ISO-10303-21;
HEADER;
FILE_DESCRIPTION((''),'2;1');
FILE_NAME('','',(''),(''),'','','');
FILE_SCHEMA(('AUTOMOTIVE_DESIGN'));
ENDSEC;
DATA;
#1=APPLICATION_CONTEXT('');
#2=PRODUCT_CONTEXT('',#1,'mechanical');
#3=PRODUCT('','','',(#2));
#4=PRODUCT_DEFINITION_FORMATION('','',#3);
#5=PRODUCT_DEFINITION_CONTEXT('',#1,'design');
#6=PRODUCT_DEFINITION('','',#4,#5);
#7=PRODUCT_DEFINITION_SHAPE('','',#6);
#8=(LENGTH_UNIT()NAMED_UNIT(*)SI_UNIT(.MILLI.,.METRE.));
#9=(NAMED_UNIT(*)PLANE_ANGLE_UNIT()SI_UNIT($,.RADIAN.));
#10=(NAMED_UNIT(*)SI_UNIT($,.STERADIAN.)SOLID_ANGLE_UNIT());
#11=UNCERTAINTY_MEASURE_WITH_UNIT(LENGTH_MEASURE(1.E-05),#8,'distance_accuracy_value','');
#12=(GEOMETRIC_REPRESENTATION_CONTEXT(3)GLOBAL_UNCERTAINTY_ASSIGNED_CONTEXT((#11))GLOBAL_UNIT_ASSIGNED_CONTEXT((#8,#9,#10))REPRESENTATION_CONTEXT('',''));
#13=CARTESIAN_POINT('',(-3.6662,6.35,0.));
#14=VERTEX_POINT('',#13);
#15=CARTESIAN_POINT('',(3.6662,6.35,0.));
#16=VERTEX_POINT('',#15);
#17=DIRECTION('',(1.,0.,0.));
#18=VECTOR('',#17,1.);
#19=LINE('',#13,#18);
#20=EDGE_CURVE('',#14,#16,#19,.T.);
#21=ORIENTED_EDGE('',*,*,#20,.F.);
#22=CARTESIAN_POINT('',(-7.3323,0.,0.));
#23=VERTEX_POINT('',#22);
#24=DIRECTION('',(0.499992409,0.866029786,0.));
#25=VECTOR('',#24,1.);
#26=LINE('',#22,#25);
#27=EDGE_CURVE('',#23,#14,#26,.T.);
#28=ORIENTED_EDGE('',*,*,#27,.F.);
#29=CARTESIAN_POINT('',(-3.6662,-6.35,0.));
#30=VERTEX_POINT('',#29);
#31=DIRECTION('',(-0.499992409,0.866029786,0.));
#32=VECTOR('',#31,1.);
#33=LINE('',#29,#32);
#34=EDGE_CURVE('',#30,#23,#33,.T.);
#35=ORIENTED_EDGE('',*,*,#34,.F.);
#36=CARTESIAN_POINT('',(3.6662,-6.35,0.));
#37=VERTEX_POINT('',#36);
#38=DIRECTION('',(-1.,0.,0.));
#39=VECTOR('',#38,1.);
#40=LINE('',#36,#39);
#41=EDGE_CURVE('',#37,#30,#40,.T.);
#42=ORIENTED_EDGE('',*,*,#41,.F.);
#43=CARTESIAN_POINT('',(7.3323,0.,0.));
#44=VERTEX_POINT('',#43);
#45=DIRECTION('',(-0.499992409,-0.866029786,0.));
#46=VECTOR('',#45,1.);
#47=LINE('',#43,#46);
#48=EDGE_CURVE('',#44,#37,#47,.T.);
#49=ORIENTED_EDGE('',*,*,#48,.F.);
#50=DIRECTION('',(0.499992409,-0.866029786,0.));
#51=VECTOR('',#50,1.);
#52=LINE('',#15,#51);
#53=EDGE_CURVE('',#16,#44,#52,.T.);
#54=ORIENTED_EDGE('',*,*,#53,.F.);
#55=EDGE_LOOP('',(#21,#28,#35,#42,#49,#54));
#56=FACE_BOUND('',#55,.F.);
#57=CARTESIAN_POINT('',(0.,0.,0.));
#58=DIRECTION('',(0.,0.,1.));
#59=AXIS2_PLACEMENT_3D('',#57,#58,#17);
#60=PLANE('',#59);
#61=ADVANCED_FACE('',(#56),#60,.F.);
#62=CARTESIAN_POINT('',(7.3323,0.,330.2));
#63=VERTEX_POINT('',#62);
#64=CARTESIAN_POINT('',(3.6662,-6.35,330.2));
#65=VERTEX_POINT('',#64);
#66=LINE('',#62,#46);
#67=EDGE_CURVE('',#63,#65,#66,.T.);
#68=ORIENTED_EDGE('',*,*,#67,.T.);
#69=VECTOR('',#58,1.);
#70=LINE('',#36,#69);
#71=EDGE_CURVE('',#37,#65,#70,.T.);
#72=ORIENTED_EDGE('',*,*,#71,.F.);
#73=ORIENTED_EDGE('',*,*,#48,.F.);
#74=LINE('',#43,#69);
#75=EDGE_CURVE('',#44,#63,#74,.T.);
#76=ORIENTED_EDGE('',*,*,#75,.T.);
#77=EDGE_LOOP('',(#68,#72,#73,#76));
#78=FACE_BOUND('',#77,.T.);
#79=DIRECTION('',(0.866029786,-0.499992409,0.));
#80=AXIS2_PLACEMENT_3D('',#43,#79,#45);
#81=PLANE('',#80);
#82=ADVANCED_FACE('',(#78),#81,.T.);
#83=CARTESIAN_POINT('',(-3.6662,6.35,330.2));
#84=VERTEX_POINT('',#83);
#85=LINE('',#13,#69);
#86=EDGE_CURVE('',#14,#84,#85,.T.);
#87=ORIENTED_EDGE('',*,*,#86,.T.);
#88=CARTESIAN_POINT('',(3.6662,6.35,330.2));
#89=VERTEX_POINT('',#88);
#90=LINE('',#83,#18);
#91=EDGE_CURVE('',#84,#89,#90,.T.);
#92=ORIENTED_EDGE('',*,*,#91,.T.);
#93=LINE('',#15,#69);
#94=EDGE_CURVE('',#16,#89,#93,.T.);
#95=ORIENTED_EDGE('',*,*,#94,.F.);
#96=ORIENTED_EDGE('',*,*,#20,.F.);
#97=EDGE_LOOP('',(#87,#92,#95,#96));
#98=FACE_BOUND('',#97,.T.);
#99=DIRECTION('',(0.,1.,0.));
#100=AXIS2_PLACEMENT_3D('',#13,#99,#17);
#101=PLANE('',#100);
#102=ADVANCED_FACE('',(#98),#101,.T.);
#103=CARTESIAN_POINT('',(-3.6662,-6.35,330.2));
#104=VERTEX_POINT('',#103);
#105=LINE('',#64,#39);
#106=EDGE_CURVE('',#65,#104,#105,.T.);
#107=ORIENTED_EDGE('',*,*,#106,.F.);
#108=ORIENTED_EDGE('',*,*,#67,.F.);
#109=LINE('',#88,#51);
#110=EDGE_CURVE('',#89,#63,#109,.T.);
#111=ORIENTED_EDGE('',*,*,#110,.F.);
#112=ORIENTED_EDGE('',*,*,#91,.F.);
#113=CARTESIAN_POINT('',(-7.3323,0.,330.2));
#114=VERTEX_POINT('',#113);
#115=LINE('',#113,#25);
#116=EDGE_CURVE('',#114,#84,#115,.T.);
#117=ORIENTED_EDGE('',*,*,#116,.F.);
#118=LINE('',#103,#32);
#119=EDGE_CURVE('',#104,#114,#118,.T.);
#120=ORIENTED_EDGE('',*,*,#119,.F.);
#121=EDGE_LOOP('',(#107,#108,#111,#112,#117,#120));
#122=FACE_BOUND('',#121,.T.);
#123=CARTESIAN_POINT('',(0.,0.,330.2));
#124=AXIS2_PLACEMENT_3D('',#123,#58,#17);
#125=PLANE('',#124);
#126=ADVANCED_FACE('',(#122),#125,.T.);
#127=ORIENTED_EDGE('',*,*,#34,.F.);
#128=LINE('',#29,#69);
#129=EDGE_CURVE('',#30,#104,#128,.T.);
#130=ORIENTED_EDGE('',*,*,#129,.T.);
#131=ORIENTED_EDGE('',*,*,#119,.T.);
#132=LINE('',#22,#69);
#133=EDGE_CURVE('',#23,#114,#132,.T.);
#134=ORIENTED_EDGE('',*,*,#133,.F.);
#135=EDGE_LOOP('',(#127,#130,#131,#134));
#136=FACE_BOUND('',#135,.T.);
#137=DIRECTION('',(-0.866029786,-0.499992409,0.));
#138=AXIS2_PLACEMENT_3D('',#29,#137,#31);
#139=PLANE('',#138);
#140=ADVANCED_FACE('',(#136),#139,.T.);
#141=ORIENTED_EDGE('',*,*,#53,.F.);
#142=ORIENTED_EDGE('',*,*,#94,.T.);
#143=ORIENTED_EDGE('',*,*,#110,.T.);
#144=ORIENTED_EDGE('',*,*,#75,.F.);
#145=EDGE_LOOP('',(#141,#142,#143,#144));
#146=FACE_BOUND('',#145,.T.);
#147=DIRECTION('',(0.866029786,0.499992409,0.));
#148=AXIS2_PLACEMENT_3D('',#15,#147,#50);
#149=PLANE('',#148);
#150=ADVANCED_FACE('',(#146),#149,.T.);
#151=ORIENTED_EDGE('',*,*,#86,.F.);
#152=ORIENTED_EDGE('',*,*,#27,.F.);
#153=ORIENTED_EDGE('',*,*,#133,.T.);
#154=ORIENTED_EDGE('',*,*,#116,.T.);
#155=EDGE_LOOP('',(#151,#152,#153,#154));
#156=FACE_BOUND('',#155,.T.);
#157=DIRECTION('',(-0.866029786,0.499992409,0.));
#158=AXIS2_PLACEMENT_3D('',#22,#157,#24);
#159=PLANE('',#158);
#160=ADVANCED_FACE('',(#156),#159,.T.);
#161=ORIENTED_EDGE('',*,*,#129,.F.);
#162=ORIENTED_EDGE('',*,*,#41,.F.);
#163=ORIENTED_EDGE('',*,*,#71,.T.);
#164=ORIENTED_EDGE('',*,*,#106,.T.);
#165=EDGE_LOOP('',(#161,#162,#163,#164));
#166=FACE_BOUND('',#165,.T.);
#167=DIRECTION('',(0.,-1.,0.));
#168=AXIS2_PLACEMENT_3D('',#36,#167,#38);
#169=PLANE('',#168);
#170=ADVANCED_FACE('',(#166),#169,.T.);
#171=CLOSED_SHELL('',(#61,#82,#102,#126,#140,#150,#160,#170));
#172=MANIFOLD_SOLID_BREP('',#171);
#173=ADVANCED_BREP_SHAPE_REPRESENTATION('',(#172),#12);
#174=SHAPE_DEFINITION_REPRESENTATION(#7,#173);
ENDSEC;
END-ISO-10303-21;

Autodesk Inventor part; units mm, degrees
ref_plane "YZ Plane" through (0, 0, 0) normal (1, 0, 0) x (0, 1, 0)
ref_plane "XZ Plane" through (0, 0, 0) normal (0, 1, 0) x (-1, 0, 0)
ref_plane "XY Plane" through (0, 0, 0) normal (0, 0, 1) x (1, 0, 0)
sketch "Sketch1" plane through (0, 0, 0) normal (0, 0, 1) x (1, 0, 0)
  line L0 (3.6662, 6.35) -> (7.3323, 0)
  line L1 (7.3323, 0) -> (3.6662, -6.35)
  line L2 (3.6662, -6.35) -> (-3.6662, -6.35)
  line L3 (-3.6662, -6.35) -> (-7.3323, 0)
  line L4 (-7.3323, 0) -> (-3.6662, 6.35)
  line L5 (-3.6662, 6.35) -> (3.6662, 6.35)
  point P0 (0, 0)
  point P1 (0, 0)
  dimension "d0" = 12.7
extrude "Extrusion1" add sketch "Sketch1" along normal blind 330.2
properties part number "Shaft (Steel 0.500 Hex)" material "Steel"
